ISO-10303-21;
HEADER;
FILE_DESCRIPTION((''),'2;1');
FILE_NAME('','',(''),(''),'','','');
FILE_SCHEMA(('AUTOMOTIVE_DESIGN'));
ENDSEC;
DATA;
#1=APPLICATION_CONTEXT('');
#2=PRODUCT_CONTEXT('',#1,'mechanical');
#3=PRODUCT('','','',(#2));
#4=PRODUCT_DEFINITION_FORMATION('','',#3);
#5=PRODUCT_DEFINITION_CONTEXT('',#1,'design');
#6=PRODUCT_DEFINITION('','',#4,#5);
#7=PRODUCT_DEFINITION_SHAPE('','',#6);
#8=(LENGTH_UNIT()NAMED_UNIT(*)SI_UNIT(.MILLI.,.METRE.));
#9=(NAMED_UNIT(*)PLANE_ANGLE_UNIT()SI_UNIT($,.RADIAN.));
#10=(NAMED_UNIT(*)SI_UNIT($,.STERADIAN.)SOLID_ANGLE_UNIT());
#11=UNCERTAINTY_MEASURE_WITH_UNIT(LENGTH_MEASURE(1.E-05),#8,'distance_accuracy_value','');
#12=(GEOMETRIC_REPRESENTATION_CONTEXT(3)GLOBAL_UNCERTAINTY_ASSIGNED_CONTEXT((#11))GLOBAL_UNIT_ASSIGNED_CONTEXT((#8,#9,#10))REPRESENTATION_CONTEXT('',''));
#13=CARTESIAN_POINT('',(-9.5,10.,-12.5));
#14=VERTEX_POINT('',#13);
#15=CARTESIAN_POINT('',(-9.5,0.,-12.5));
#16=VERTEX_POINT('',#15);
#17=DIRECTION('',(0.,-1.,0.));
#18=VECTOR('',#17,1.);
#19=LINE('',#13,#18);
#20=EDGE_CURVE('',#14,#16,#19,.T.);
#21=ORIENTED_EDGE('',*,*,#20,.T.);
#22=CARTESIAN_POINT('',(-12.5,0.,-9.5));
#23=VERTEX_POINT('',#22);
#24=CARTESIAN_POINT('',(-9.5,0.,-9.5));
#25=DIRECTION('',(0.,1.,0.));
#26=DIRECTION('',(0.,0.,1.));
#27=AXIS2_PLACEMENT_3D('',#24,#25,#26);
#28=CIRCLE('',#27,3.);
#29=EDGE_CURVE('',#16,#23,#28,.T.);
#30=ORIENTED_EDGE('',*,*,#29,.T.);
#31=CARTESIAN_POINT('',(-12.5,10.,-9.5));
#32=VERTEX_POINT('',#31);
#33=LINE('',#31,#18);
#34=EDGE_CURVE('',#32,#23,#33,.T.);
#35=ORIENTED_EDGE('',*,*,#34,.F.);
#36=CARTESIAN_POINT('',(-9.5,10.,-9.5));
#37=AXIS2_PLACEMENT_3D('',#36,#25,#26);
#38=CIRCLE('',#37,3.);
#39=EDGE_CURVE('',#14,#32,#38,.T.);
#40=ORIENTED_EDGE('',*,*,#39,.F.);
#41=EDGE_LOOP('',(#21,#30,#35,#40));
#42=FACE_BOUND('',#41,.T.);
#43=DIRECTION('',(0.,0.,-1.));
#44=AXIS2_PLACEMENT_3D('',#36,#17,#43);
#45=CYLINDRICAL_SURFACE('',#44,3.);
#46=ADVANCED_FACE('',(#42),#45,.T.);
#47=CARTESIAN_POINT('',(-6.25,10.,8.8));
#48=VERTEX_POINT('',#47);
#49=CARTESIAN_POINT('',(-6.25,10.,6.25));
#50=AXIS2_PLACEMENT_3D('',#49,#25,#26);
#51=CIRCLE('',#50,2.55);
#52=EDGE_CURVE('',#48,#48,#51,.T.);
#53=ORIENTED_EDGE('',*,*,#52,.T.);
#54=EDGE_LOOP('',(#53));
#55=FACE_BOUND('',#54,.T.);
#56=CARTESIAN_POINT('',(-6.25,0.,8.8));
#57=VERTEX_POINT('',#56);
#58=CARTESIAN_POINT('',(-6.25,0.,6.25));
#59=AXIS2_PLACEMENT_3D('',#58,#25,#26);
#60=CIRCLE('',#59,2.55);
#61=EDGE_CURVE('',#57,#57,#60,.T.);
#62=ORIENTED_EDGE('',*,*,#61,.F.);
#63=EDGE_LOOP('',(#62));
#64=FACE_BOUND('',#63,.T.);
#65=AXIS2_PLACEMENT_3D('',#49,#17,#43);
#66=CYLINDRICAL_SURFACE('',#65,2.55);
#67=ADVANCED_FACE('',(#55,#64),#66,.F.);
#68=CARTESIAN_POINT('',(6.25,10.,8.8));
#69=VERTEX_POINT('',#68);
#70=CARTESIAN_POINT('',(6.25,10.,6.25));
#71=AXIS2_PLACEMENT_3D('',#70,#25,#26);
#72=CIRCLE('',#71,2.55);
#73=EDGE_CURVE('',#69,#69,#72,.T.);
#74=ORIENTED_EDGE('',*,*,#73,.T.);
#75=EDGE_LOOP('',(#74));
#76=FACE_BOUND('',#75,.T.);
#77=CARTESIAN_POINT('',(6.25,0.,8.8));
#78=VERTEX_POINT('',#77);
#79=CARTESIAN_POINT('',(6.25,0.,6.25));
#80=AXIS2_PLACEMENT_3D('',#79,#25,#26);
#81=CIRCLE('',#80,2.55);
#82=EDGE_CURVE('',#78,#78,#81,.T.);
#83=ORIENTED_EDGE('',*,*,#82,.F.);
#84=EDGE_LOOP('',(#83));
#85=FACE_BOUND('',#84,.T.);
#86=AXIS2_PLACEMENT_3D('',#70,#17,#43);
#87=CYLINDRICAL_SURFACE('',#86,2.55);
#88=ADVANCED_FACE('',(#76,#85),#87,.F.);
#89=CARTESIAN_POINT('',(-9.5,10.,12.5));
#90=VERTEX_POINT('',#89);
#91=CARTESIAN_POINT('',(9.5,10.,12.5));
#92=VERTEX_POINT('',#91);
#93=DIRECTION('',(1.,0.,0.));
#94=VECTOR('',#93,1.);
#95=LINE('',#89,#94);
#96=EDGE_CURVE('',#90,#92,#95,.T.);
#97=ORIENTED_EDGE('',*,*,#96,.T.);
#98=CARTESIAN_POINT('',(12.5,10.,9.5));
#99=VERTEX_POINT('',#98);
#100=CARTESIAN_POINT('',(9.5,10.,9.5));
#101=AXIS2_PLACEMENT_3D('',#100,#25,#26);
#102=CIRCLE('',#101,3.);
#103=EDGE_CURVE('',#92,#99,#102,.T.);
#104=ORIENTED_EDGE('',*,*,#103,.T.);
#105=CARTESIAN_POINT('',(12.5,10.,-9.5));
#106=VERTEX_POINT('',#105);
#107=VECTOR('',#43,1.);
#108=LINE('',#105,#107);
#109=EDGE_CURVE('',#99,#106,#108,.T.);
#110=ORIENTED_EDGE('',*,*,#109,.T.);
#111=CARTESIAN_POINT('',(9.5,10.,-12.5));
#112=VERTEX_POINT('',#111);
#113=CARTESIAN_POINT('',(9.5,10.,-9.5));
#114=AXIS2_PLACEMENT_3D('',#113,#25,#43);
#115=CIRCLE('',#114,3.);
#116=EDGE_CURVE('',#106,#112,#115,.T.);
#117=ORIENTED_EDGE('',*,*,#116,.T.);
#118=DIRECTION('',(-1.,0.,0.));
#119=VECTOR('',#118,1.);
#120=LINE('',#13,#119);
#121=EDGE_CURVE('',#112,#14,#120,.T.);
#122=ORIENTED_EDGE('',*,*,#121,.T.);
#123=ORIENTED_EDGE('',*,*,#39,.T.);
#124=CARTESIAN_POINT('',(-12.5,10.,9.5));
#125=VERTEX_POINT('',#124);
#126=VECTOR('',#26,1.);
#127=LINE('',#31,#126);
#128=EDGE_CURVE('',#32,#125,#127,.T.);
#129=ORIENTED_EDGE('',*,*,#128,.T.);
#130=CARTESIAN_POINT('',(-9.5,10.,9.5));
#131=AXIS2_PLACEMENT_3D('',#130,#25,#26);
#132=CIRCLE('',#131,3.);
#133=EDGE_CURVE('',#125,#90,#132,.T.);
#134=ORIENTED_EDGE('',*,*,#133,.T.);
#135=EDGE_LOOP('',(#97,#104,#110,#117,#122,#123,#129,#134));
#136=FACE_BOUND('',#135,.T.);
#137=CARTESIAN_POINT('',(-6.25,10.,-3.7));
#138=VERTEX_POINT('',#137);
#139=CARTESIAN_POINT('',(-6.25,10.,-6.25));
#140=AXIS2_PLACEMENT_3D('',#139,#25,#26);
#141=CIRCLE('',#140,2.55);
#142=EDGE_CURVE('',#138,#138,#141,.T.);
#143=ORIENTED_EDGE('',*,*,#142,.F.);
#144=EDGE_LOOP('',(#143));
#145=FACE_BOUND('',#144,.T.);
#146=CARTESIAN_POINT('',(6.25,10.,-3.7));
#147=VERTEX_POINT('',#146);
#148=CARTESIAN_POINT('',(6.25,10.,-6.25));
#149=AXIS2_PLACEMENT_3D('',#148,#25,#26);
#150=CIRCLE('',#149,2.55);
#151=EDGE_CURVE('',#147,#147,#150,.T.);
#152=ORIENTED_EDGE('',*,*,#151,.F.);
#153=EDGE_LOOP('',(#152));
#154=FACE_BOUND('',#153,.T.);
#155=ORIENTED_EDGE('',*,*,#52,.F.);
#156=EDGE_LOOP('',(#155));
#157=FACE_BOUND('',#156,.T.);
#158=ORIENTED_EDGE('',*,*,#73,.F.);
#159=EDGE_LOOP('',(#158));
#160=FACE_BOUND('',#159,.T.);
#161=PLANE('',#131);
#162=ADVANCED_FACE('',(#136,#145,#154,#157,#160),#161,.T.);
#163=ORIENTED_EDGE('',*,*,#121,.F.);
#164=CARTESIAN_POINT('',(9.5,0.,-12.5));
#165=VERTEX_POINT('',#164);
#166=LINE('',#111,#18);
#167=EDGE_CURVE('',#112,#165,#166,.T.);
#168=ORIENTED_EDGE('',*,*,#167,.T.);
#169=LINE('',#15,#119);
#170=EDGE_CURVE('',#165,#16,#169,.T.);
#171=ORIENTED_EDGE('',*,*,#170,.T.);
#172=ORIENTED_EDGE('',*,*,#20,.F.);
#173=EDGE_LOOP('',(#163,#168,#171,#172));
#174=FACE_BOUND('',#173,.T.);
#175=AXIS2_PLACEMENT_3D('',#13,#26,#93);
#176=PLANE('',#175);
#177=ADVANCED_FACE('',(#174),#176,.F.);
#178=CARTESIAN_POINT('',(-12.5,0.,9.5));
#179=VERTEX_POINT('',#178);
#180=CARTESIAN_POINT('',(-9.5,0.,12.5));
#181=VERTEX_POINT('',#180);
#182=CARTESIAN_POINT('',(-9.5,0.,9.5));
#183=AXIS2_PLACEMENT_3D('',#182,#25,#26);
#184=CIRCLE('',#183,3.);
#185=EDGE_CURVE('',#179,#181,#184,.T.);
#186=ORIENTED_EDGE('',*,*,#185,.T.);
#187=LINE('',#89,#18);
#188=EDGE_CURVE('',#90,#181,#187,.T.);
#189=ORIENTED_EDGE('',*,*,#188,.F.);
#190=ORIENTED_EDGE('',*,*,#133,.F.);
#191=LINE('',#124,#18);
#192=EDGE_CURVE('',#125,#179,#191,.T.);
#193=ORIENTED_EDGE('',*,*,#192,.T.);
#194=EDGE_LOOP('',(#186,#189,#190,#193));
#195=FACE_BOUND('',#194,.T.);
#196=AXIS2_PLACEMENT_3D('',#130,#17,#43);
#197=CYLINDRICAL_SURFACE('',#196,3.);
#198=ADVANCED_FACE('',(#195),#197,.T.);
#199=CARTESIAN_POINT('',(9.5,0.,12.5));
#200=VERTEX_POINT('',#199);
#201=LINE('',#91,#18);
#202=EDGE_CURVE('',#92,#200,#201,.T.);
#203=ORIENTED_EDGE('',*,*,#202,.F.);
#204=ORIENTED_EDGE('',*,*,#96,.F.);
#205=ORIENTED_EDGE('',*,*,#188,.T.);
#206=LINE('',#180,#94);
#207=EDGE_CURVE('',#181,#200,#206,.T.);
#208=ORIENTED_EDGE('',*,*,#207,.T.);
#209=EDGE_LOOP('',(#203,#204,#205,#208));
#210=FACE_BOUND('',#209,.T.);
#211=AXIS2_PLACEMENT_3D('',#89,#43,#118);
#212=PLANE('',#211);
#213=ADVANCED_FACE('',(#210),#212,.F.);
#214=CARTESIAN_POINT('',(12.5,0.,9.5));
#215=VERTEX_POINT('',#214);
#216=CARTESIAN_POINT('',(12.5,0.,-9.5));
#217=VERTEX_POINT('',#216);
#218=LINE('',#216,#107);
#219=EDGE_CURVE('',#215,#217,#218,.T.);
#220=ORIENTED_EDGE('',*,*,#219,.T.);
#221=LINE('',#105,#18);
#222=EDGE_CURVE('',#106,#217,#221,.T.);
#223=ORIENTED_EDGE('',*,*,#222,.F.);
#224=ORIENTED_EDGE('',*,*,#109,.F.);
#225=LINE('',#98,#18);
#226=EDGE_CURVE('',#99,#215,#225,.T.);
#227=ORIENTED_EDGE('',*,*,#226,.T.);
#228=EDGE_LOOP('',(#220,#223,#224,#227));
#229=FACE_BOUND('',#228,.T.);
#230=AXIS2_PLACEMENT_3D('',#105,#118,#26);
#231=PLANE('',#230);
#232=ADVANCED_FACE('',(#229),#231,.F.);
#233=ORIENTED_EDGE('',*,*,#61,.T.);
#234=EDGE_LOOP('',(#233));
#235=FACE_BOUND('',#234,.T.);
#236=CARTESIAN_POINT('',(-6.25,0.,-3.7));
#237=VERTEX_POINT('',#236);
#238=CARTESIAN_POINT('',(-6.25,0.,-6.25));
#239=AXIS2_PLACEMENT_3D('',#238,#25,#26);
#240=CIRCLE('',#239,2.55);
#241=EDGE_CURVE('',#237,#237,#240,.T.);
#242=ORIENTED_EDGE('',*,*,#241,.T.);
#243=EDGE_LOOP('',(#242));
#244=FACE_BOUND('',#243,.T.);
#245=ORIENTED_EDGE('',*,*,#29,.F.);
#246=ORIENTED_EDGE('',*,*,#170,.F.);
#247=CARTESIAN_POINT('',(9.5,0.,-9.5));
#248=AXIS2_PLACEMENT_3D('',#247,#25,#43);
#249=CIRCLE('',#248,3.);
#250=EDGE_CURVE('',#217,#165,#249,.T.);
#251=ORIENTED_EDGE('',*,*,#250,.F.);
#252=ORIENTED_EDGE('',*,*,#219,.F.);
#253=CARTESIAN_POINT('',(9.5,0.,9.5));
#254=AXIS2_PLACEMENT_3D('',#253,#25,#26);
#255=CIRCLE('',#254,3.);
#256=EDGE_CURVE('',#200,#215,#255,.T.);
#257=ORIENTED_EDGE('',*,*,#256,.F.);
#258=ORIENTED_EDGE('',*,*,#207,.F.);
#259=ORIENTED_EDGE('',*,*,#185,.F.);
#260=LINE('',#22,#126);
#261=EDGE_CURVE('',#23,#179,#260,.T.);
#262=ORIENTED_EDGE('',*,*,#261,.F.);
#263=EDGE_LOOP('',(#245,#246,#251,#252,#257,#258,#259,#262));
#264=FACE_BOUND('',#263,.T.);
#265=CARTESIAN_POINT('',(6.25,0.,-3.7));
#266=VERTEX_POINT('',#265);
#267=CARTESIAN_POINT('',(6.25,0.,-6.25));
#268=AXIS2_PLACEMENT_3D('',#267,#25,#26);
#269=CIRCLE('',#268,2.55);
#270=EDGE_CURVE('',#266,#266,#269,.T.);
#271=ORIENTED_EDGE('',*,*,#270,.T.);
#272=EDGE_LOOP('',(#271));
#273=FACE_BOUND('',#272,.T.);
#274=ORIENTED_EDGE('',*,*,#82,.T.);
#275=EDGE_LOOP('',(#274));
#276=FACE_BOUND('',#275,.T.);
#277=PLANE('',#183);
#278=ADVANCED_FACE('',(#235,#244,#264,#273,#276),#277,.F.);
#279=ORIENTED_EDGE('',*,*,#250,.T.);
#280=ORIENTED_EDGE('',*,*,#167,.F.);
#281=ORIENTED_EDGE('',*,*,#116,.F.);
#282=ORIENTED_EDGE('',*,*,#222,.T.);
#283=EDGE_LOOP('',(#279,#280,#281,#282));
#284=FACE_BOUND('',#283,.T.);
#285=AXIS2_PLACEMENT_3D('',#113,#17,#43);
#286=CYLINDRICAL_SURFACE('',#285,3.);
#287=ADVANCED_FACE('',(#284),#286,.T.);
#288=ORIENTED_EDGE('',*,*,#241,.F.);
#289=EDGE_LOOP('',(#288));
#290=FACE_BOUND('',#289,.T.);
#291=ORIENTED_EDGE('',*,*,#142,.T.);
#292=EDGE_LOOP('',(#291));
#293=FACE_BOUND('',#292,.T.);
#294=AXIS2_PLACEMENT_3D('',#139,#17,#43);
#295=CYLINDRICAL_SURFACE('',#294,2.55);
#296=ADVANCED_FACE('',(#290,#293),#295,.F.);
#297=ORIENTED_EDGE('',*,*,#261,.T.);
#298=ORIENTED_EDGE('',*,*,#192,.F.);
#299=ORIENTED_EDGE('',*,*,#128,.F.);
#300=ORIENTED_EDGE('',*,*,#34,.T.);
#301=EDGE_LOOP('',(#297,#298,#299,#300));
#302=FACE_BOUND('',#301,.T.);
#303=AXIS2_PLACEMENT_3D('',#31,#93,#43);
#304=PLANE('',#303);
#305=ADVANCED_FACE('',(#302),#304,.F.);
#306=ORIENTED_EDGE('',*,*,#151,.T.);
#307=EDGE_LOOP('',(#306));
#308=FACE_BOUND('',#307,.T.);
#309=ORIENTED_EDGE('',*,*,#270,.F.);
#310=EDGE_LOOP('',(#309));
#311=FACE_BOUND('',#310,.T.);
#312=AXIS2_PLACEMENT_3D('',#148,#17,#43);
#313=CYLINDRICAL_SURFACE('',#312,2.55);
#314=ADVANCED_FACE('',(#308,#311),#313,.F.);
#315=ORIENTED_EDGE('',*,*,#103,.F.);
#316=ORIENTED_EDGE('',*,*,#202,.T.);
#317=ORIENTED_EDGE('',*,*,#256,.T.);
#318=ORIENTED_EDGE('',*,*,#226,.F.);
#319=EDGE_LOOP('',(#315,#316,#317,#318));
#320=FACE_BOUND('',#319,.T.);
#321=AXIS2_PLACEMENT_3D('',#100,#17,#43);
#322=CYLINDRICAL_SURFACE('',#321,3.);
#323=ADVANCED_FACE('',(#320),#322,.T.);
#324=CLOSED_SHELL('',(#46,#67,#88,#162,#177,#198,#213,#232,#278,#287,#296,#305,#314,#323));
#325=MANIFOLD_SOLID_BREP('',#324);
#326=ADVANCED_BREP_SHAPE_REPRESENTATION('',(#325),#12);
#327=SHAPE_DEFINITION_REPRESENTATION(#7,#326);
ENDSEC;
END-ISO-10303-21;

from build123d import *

# Parameters (mm, degrees)
SKETCH_1_R      = 2.55
EXTRUDE_1_DEPTH = 10


with BuildPart() as part:
    # 草图1 → 凸台-拉伸1 (new body)
    with BuildSketch(Plane(origin=(0, 0, 0), x_dir=(1, 0, 0), z_dir=(0, 1, 0))):
        with BuildLine():
            Line((-9.5, 12.5), (9.5, 12.5))
            ThreePointArc((9.5, 12.5), (11.621320344, 11.621320344), (12.5, 9.5))
            Line((12.5, 9.5), (12.5, -9.5))
            ThreePointArc((12.5, -9.5), (11.621320344, -11.621320344), (9.5, -12.5))
            Line((9.5, -12.5), (-9.5, -12.5))
            ThreePointArc((-9.5, -12.5), (-11.621320344, -11.621320344), (-12.5, -9.5))
            Line((-12.5, -9.5), (-12.5, 9.5))
            ThreePointArc((-12.5, 9.5), (-11.621320344, 11.621320344), (-9.5, 12.5))
        make_face()
        with Locations(Location((-6.25, 6.25, 0), (0, 0, 270))):
            Circle(SKETCH_1_R, mode=Mode.SUBTRACT)
        with Locations(Location((6.25, 6.25, 0), (0, 0, 270))):
            Circle(SKETCH_1_R, mode=Mode.SUBTRACT)
        with Locations(Location((-6.25, -6.25, 0), (0, 0, 270))):
            Circle(SKETCH_1_R, mode=Mode.SUBTRACT)
        with Locations(Location((6.25, -6.25, 0), (0, 0, 270))):
            Circle(SKETCH_1_R, mode=Mode.SUBTRACT)
    extrude(amount=EXTRUDE_1_DEPTH)


solid = part.part
